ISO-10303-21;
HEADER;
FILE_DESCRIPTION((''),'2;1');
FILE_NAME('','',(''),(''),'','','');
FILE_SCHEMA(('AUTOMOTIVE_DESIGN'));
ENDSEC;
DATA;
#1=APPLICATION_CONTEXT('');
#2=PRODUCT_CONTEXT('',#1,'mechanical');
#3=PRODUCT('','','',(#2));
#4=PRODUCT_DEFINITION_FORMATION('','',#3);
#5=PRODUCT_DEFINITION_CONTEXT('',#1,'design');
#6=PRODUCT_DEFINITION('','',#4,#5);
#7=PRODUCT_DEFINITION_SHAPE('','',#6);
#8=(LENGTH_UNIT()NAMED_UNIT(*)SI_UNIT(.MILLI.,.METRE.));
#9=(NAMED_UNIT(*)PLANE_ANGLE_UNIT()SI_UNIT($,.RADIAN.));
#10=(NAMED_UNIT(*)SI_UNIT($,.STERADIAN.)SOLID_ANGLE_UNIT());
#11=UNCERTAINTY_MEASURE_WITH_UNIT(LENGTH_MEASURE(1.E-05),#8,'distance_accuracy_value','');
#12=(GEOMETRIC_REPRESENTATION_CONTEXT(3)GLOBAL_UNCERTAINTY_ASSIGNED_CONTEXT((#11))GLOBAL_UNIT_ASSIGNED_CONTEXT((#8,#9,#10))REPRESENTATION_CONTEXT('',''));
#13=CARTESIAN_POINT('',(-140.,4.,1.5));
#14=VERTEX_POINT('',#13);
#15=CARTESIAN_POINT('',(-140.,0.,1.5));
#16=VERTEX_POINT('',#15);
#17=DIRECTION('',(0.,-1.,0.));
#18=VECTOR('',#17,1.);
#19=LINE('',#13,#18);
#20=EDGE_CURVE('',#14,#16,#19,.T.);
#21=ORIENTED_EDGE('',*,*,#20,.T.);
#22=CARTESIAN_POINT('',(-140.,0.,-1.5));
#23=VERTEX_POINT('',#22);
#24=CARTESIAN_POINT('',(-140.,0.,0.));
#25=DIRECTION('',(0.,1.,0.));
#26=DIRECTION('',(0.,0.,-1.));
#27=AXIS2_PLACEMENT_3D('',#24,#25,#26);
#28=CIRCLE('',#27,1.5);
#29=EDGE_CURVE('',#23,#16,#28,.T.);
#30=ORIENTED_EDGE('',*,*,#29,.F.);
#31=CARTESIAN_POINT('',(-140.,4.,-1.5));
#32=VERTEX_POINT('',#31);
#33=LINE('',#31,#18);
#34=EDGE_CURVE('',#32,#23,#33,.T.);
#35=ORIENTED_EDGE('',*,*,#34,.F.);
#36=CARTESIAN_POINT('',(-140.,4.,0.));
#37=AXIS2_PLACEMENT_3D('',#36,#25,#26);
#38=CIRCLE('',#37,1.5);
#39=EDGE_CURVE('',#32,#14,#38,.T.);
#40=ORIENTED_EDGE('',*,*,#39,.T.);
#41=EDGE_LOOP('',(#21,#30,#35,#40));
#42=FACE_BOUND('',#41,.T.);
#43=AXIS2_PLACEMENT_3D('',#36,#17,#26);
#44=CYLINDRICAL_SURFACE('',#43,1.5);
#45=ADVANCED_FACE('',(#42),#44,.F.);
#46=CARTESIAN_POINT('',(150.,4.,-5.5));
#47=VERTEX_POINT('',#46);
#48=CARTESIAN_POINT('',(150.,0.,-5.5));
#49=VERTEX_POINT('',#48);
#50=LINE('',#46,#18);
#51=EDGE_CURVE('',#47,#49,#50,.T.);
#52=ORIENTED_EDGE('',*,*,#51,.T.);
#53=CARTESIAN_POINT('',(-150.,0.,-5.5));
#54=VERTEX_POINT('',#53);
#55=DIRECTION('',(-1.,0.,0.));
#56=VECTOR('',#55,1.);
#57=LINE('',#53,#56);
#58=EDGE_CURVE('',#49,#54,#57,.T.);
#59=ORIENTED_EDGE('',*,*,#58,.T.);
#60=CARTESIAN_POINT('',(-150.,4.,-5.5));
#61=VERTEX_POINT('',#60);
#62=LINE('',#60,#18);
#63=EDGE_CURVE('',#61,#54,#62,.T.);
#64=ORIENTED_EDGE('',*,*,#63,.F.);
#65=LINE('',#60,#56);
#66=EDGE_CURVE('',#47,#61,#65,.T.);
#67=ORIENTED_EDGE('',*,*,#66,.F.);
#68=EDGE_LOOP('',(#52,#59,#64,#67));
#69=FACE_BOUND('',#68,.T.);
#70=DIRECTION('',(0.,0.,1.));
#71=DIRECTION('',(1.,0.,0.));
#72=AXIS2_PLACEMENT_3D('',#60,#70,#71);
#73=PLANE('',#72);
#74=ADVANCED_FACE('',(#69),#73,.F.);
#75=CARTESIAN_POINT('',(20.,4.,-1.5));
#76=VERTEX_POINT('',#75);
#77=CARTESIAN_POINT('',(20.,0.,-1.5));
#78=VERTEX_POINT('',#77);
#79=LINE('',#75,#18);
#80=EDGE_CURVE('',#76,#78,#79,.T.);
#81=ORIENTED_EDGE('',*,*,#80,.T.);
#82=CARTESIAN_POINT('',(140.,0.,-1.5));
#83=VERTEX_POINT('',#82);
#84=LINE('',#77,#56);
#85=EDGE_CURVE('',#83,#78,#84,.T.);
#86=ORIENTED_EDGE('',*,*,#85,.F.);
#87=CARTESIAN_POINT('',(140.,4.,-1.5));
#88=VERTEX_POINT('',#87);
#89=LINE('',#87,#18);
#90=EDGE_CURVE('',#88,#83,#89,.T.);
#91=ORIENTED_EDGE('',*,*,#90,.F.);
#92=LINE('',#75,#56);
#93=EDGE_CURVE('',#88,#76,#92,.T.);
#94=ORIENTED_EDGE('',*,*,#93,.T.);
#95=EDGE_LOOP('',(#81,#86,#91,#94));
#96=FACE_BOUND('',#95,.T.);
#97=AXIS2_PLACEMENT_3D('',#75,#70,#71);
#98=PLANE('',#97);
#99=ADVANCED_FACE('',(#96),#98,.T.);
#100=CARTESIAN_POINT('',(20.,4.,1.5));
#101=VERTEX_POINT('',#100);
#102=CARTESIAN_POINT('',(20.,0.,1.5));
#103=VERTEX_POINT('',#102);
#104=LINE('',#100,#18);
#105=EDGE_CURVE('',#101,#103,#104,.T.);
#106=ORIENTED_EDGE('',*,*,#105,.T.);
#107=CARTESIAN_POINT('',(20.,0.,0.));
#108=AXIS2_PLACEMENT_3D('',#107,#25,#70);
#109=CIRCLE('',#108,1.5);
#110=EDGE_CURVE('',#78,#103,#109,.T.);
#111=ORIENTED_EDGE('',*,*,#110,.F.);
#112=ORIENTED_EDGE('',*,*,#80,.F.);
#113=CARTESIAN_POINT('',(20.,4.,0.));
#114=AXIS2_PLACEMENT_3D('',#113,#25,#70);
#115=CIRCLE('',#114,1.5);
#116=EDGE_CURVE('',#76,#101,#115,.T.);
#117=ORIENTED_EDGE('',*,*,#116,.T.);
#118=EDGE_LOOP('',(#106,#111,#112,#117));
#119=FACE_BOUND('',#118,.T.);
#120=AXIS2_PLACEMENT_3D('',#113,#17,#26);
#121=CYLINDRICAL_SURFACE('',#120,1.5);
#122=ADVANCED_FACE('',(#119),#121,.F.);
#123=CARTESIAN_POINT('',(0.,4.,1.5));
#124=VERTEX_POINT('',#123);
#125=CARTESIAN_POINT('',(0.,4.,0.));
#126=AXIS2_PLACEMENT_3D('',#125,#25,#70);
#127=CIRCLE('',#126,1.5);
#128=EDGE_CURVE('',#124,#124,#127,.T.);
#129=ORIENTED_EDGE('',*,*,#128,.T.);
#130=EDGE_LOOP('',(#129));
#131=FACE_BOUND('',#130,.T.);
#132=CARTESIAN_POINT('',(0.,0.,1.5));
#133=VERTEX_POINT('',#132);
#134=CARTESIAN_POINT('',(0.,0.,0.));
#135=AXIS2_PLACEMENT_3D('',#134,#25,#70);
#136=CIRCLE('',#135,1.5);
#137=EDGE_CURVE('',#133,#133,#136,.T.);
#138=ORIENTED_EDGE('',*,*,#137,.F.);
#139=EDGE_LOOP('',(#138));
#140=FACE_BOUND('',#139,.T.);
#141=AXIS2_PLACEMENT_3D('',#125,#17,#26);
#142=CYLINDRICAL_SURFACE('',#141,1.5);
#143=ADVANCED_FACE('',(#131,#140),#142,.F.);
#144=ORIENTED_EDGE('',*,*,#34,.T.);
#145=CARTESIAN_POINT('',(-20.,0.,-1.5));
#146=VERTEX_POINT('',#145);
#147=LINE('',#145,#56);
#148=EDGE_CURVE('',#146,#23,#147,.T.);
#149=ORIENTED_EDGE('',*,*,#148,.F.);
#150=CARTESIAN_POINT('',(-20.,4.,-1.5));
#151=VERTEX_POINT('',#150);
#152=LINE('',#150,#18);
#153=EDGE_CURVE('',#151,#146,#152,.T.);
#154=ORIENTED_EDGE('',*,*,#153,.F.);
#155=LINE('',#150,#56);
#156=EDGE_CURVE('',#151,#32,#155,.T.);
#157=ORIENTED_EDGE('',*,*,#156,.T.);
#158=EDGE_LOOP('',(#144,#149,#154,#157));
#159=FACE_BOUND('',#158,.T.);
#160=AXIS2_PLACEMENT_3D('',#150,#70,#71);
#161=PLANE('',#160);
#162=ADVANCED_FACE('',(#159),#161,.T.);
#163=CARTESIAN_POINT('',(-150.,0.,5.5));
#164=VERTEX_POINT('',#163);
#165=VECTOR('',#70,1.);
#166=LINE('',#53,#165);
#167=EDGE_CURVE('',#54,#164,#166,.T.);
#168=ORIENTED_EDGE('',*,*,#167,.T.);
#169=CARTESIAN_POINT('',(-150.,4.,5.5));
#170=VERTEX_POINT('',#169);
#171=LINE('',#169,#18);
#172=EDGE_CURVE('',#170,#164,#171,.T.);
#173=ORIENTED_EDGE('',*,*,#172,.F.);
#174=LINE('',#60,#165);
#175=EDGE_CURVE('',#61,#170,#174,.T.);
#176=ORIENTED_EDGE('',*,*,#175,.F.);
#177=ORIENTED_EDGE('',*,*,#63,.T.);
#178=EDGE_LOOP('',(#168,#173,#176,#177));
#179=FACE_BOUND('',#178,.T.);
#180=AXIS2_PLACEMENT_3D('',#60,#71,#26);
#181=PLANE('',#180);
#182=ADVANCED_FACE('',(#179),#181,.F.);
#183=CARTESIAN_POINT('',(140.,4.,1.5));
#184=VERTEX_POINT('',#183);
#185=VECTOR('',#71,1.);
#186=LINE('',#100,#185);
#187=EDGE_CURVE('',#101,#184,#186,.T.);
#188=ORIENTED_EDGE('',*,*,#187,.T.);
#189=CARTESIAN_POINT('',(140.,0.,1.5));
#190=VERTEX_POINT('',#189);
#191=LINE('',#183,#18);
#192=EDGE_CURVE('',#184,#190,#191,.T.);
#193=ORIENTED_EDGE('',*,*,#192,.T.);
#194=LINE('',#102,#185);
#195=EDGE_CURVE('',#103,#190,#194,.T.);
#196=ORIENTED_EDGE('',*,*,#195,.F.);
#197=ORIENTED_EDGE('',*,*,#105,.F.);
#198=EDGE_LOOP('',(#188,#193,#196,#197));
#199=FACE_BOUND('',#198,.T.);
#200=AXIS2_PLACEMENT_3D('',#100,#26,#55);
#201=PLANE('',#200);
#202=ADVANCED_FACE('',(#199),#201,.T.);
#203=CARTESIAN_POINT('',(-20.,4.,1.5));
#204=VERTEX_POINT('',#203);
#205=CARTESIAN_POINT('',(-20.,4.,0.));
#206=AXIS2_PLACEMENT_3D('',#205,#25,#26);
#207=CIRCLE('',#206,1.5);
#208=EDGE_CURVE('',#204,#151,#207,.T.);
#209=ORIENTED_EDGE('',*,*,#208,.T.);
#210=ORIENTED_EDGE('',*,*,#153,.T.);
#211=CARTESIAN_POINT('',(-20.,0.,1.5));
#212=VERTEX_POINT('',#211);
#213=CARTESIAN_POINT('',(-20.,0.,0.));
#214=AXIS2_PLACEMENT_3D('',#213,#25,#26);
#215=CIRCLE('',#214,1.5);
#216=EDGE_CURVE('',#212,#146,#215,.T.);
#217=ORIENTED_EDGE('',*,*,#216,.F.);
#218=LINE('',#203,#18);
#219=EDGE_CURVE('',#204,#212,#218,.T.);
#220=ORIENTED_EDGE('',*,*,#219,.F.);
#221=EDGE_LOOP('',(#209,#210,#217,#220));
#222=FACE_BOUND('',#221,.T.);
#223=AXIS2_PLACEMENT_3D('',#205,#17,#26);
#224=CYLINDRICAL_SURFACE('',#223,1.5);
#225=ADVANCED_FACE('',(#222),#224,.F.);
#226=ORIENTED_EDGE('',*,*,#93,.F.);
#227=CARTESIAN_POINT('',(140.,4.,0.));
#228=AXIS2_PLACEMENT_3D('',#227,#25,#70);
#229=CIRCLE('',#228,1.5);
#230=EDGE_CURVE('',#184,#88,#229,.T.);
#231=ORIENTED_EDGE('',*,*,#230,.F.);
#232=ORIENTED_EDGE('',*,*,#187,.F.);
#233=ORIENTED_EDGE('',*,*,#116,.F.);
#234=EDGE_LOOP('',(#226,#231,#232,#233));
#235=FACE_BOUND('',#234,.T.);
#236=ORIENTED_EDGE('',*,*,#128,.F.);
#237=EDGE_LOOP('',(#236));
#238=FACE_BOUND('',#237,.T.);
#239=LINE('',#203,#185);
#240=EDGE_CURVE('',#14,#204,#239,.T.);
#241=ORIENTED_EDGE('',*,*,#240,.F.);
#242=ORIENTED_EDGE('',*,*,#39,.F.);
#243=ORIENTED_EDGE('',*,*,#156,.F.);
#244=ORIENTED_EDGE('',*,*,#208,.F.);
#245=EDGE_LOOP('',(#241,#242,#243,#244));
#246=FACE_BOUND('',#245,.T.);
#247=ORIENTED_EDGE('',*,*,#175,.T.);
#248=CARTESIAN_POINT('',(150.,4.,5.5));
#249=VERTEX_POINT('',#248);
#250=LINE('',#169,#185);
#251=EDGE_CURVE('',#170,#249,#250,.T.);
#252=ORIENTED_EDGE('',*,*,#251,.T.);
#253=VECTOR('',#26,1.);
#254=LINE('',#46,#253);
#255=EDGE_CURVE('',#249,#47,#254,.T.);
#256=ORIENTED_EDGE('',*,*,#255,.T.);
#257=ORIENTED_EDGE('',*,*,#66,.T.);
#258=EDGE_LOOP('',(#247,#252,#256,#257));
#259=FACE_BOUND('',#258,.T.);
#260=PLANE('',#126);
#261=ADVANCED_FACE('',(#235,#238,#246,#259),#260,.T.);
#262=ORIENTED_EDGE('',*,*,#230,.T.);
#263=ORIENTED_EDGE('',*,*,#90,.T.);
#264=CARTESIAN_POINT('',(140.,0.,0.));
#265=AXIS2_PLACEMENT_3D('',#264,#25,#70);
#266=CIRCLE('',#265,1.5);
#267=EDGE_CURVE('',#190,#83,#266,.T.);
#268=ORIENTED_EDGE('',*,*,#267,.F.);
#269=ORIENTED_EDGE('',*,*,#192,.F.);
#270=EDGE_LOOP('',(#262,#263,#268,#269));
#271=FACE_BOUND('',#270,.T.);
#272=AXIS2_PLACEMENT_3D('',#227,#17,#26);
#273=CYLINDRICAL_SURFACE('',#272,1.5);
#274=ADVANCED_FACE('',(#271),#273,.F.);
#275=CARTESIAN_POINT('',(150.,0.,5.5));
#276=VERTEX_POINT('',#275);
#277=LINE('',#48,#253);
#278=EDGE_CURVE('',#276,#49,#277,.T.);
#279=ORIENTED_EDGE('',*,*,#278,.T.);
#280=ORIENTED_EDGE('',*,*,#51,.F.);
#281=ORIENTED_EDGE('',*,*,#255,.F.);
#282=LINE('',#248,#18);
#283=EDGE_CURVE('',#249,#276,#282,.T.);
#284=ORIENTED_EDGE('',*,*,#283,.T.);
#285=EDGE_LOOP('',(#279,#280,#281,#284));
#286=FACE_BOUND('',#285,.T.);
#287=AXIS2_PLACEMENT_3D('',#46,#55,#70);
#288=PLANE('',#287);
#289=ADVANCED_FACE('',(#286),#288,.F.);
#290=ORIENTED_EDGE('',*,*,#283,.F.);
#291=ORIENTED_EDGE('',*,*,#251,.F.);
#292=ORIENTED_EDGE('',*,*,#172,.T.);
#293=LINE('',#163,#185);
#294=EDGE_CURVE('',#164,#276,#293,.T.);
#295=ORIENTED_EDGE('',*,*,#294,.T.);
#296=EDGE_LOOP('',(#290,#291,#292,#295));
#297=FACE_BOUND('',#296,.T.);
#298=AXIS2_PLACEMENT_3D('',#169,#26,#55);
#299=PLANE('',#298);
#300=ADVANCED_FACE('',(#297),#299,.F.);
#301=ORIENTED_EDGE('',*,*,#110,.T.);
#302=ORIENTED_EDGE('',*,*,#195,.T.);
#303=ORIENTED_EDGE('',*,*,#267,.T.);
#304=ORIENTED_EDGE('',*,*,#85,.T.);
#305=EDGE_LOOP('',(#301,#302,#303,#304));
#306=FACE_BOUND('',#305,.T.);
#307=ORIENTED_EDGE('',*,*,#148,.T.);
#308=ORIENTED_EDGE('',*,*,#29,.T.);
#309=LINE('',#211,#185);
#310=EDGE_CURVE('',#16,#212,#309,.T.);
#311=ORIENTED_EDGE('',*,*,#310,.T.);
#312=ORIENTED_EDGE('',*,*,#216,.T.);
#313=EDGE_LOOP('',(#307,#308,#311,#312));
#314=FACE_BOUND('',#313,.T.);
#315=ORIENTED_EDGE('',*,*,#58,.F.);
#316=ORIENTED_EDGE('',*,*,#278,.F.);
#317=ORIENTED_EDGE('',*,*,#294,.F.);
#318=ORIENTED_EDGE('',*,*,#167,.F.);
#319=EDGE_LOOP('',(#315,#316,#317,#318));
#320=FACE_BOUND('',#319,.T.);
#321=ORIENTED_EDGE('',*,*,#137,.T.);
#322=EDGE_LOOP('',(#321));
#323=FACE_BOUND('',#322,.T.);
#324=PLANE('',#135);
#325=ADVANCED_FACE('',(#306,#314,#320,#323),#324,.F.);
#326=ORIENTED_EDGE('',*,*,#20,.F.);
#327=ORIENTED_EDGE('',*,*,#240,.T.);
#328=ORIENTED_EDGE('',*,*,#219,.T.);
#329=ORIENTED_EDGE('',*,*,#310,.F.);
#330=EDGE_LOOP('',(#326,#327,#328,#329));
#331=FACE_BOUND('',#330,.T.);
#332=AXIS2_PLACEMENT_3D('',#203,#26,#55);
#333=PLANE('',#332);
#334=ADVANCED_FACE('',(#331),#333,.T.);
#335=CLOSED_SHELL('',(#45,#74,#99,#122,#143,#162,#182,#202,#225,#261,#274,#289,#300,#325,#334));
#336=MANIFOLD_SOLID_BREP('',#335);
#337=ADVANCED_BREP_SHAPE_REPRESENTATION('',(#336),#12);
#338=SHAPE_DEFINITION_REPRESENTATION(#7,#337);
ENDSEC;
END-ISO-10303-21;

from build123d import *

# Parameters (mm, degrees)
SKETCH1_W           = 300
SKETCH1_H           = 11
SKETCH1_R           = 1.5
BOSS_EXTRUDE2_DEPTH = 4


with BuildPart() as part:
    # Sketch1 → Boss-Extrude2 (new body)
    with BuildSketch(Plane(origin=(0, 0, 0), x_dir=(1, 0, 0), z_dir=(0, 1, 0))):
        Rectangle(SKETCH1_W, SKETCH1_H)
        Circle(SKETCH1_R, mode=Mode.SUBTRACT)
        with BuildLine():
            Line((20, 1.5), (140, 1.5))
            ThreePointArc((140, 1.5), (141.5, 0), (140, -1.5))
            Line((140, -1.5), (20, -1.5))
            ThreePointArc((20, -1.5), (18.5, 0), (20, 1.5))
        make_face(mode=Mode.SUBTRACT)
        with BuildLine():
            Line((-20, -1.5), (-140, -1.5))
            ThreePointArc((-140, -1.5), (-141.5, 0), (-140, 1.5))
            Line((-140, 1.5), (-20, 1.5))
            ThreePointArc((-20, 1.5), (-18.5, 0), (-20, -1.5))
        make_face(mode=Mode.SUBTRACT)
    extrude(amount=BOSS_EXTRUDE2_DEPTH)


solid = part.part
